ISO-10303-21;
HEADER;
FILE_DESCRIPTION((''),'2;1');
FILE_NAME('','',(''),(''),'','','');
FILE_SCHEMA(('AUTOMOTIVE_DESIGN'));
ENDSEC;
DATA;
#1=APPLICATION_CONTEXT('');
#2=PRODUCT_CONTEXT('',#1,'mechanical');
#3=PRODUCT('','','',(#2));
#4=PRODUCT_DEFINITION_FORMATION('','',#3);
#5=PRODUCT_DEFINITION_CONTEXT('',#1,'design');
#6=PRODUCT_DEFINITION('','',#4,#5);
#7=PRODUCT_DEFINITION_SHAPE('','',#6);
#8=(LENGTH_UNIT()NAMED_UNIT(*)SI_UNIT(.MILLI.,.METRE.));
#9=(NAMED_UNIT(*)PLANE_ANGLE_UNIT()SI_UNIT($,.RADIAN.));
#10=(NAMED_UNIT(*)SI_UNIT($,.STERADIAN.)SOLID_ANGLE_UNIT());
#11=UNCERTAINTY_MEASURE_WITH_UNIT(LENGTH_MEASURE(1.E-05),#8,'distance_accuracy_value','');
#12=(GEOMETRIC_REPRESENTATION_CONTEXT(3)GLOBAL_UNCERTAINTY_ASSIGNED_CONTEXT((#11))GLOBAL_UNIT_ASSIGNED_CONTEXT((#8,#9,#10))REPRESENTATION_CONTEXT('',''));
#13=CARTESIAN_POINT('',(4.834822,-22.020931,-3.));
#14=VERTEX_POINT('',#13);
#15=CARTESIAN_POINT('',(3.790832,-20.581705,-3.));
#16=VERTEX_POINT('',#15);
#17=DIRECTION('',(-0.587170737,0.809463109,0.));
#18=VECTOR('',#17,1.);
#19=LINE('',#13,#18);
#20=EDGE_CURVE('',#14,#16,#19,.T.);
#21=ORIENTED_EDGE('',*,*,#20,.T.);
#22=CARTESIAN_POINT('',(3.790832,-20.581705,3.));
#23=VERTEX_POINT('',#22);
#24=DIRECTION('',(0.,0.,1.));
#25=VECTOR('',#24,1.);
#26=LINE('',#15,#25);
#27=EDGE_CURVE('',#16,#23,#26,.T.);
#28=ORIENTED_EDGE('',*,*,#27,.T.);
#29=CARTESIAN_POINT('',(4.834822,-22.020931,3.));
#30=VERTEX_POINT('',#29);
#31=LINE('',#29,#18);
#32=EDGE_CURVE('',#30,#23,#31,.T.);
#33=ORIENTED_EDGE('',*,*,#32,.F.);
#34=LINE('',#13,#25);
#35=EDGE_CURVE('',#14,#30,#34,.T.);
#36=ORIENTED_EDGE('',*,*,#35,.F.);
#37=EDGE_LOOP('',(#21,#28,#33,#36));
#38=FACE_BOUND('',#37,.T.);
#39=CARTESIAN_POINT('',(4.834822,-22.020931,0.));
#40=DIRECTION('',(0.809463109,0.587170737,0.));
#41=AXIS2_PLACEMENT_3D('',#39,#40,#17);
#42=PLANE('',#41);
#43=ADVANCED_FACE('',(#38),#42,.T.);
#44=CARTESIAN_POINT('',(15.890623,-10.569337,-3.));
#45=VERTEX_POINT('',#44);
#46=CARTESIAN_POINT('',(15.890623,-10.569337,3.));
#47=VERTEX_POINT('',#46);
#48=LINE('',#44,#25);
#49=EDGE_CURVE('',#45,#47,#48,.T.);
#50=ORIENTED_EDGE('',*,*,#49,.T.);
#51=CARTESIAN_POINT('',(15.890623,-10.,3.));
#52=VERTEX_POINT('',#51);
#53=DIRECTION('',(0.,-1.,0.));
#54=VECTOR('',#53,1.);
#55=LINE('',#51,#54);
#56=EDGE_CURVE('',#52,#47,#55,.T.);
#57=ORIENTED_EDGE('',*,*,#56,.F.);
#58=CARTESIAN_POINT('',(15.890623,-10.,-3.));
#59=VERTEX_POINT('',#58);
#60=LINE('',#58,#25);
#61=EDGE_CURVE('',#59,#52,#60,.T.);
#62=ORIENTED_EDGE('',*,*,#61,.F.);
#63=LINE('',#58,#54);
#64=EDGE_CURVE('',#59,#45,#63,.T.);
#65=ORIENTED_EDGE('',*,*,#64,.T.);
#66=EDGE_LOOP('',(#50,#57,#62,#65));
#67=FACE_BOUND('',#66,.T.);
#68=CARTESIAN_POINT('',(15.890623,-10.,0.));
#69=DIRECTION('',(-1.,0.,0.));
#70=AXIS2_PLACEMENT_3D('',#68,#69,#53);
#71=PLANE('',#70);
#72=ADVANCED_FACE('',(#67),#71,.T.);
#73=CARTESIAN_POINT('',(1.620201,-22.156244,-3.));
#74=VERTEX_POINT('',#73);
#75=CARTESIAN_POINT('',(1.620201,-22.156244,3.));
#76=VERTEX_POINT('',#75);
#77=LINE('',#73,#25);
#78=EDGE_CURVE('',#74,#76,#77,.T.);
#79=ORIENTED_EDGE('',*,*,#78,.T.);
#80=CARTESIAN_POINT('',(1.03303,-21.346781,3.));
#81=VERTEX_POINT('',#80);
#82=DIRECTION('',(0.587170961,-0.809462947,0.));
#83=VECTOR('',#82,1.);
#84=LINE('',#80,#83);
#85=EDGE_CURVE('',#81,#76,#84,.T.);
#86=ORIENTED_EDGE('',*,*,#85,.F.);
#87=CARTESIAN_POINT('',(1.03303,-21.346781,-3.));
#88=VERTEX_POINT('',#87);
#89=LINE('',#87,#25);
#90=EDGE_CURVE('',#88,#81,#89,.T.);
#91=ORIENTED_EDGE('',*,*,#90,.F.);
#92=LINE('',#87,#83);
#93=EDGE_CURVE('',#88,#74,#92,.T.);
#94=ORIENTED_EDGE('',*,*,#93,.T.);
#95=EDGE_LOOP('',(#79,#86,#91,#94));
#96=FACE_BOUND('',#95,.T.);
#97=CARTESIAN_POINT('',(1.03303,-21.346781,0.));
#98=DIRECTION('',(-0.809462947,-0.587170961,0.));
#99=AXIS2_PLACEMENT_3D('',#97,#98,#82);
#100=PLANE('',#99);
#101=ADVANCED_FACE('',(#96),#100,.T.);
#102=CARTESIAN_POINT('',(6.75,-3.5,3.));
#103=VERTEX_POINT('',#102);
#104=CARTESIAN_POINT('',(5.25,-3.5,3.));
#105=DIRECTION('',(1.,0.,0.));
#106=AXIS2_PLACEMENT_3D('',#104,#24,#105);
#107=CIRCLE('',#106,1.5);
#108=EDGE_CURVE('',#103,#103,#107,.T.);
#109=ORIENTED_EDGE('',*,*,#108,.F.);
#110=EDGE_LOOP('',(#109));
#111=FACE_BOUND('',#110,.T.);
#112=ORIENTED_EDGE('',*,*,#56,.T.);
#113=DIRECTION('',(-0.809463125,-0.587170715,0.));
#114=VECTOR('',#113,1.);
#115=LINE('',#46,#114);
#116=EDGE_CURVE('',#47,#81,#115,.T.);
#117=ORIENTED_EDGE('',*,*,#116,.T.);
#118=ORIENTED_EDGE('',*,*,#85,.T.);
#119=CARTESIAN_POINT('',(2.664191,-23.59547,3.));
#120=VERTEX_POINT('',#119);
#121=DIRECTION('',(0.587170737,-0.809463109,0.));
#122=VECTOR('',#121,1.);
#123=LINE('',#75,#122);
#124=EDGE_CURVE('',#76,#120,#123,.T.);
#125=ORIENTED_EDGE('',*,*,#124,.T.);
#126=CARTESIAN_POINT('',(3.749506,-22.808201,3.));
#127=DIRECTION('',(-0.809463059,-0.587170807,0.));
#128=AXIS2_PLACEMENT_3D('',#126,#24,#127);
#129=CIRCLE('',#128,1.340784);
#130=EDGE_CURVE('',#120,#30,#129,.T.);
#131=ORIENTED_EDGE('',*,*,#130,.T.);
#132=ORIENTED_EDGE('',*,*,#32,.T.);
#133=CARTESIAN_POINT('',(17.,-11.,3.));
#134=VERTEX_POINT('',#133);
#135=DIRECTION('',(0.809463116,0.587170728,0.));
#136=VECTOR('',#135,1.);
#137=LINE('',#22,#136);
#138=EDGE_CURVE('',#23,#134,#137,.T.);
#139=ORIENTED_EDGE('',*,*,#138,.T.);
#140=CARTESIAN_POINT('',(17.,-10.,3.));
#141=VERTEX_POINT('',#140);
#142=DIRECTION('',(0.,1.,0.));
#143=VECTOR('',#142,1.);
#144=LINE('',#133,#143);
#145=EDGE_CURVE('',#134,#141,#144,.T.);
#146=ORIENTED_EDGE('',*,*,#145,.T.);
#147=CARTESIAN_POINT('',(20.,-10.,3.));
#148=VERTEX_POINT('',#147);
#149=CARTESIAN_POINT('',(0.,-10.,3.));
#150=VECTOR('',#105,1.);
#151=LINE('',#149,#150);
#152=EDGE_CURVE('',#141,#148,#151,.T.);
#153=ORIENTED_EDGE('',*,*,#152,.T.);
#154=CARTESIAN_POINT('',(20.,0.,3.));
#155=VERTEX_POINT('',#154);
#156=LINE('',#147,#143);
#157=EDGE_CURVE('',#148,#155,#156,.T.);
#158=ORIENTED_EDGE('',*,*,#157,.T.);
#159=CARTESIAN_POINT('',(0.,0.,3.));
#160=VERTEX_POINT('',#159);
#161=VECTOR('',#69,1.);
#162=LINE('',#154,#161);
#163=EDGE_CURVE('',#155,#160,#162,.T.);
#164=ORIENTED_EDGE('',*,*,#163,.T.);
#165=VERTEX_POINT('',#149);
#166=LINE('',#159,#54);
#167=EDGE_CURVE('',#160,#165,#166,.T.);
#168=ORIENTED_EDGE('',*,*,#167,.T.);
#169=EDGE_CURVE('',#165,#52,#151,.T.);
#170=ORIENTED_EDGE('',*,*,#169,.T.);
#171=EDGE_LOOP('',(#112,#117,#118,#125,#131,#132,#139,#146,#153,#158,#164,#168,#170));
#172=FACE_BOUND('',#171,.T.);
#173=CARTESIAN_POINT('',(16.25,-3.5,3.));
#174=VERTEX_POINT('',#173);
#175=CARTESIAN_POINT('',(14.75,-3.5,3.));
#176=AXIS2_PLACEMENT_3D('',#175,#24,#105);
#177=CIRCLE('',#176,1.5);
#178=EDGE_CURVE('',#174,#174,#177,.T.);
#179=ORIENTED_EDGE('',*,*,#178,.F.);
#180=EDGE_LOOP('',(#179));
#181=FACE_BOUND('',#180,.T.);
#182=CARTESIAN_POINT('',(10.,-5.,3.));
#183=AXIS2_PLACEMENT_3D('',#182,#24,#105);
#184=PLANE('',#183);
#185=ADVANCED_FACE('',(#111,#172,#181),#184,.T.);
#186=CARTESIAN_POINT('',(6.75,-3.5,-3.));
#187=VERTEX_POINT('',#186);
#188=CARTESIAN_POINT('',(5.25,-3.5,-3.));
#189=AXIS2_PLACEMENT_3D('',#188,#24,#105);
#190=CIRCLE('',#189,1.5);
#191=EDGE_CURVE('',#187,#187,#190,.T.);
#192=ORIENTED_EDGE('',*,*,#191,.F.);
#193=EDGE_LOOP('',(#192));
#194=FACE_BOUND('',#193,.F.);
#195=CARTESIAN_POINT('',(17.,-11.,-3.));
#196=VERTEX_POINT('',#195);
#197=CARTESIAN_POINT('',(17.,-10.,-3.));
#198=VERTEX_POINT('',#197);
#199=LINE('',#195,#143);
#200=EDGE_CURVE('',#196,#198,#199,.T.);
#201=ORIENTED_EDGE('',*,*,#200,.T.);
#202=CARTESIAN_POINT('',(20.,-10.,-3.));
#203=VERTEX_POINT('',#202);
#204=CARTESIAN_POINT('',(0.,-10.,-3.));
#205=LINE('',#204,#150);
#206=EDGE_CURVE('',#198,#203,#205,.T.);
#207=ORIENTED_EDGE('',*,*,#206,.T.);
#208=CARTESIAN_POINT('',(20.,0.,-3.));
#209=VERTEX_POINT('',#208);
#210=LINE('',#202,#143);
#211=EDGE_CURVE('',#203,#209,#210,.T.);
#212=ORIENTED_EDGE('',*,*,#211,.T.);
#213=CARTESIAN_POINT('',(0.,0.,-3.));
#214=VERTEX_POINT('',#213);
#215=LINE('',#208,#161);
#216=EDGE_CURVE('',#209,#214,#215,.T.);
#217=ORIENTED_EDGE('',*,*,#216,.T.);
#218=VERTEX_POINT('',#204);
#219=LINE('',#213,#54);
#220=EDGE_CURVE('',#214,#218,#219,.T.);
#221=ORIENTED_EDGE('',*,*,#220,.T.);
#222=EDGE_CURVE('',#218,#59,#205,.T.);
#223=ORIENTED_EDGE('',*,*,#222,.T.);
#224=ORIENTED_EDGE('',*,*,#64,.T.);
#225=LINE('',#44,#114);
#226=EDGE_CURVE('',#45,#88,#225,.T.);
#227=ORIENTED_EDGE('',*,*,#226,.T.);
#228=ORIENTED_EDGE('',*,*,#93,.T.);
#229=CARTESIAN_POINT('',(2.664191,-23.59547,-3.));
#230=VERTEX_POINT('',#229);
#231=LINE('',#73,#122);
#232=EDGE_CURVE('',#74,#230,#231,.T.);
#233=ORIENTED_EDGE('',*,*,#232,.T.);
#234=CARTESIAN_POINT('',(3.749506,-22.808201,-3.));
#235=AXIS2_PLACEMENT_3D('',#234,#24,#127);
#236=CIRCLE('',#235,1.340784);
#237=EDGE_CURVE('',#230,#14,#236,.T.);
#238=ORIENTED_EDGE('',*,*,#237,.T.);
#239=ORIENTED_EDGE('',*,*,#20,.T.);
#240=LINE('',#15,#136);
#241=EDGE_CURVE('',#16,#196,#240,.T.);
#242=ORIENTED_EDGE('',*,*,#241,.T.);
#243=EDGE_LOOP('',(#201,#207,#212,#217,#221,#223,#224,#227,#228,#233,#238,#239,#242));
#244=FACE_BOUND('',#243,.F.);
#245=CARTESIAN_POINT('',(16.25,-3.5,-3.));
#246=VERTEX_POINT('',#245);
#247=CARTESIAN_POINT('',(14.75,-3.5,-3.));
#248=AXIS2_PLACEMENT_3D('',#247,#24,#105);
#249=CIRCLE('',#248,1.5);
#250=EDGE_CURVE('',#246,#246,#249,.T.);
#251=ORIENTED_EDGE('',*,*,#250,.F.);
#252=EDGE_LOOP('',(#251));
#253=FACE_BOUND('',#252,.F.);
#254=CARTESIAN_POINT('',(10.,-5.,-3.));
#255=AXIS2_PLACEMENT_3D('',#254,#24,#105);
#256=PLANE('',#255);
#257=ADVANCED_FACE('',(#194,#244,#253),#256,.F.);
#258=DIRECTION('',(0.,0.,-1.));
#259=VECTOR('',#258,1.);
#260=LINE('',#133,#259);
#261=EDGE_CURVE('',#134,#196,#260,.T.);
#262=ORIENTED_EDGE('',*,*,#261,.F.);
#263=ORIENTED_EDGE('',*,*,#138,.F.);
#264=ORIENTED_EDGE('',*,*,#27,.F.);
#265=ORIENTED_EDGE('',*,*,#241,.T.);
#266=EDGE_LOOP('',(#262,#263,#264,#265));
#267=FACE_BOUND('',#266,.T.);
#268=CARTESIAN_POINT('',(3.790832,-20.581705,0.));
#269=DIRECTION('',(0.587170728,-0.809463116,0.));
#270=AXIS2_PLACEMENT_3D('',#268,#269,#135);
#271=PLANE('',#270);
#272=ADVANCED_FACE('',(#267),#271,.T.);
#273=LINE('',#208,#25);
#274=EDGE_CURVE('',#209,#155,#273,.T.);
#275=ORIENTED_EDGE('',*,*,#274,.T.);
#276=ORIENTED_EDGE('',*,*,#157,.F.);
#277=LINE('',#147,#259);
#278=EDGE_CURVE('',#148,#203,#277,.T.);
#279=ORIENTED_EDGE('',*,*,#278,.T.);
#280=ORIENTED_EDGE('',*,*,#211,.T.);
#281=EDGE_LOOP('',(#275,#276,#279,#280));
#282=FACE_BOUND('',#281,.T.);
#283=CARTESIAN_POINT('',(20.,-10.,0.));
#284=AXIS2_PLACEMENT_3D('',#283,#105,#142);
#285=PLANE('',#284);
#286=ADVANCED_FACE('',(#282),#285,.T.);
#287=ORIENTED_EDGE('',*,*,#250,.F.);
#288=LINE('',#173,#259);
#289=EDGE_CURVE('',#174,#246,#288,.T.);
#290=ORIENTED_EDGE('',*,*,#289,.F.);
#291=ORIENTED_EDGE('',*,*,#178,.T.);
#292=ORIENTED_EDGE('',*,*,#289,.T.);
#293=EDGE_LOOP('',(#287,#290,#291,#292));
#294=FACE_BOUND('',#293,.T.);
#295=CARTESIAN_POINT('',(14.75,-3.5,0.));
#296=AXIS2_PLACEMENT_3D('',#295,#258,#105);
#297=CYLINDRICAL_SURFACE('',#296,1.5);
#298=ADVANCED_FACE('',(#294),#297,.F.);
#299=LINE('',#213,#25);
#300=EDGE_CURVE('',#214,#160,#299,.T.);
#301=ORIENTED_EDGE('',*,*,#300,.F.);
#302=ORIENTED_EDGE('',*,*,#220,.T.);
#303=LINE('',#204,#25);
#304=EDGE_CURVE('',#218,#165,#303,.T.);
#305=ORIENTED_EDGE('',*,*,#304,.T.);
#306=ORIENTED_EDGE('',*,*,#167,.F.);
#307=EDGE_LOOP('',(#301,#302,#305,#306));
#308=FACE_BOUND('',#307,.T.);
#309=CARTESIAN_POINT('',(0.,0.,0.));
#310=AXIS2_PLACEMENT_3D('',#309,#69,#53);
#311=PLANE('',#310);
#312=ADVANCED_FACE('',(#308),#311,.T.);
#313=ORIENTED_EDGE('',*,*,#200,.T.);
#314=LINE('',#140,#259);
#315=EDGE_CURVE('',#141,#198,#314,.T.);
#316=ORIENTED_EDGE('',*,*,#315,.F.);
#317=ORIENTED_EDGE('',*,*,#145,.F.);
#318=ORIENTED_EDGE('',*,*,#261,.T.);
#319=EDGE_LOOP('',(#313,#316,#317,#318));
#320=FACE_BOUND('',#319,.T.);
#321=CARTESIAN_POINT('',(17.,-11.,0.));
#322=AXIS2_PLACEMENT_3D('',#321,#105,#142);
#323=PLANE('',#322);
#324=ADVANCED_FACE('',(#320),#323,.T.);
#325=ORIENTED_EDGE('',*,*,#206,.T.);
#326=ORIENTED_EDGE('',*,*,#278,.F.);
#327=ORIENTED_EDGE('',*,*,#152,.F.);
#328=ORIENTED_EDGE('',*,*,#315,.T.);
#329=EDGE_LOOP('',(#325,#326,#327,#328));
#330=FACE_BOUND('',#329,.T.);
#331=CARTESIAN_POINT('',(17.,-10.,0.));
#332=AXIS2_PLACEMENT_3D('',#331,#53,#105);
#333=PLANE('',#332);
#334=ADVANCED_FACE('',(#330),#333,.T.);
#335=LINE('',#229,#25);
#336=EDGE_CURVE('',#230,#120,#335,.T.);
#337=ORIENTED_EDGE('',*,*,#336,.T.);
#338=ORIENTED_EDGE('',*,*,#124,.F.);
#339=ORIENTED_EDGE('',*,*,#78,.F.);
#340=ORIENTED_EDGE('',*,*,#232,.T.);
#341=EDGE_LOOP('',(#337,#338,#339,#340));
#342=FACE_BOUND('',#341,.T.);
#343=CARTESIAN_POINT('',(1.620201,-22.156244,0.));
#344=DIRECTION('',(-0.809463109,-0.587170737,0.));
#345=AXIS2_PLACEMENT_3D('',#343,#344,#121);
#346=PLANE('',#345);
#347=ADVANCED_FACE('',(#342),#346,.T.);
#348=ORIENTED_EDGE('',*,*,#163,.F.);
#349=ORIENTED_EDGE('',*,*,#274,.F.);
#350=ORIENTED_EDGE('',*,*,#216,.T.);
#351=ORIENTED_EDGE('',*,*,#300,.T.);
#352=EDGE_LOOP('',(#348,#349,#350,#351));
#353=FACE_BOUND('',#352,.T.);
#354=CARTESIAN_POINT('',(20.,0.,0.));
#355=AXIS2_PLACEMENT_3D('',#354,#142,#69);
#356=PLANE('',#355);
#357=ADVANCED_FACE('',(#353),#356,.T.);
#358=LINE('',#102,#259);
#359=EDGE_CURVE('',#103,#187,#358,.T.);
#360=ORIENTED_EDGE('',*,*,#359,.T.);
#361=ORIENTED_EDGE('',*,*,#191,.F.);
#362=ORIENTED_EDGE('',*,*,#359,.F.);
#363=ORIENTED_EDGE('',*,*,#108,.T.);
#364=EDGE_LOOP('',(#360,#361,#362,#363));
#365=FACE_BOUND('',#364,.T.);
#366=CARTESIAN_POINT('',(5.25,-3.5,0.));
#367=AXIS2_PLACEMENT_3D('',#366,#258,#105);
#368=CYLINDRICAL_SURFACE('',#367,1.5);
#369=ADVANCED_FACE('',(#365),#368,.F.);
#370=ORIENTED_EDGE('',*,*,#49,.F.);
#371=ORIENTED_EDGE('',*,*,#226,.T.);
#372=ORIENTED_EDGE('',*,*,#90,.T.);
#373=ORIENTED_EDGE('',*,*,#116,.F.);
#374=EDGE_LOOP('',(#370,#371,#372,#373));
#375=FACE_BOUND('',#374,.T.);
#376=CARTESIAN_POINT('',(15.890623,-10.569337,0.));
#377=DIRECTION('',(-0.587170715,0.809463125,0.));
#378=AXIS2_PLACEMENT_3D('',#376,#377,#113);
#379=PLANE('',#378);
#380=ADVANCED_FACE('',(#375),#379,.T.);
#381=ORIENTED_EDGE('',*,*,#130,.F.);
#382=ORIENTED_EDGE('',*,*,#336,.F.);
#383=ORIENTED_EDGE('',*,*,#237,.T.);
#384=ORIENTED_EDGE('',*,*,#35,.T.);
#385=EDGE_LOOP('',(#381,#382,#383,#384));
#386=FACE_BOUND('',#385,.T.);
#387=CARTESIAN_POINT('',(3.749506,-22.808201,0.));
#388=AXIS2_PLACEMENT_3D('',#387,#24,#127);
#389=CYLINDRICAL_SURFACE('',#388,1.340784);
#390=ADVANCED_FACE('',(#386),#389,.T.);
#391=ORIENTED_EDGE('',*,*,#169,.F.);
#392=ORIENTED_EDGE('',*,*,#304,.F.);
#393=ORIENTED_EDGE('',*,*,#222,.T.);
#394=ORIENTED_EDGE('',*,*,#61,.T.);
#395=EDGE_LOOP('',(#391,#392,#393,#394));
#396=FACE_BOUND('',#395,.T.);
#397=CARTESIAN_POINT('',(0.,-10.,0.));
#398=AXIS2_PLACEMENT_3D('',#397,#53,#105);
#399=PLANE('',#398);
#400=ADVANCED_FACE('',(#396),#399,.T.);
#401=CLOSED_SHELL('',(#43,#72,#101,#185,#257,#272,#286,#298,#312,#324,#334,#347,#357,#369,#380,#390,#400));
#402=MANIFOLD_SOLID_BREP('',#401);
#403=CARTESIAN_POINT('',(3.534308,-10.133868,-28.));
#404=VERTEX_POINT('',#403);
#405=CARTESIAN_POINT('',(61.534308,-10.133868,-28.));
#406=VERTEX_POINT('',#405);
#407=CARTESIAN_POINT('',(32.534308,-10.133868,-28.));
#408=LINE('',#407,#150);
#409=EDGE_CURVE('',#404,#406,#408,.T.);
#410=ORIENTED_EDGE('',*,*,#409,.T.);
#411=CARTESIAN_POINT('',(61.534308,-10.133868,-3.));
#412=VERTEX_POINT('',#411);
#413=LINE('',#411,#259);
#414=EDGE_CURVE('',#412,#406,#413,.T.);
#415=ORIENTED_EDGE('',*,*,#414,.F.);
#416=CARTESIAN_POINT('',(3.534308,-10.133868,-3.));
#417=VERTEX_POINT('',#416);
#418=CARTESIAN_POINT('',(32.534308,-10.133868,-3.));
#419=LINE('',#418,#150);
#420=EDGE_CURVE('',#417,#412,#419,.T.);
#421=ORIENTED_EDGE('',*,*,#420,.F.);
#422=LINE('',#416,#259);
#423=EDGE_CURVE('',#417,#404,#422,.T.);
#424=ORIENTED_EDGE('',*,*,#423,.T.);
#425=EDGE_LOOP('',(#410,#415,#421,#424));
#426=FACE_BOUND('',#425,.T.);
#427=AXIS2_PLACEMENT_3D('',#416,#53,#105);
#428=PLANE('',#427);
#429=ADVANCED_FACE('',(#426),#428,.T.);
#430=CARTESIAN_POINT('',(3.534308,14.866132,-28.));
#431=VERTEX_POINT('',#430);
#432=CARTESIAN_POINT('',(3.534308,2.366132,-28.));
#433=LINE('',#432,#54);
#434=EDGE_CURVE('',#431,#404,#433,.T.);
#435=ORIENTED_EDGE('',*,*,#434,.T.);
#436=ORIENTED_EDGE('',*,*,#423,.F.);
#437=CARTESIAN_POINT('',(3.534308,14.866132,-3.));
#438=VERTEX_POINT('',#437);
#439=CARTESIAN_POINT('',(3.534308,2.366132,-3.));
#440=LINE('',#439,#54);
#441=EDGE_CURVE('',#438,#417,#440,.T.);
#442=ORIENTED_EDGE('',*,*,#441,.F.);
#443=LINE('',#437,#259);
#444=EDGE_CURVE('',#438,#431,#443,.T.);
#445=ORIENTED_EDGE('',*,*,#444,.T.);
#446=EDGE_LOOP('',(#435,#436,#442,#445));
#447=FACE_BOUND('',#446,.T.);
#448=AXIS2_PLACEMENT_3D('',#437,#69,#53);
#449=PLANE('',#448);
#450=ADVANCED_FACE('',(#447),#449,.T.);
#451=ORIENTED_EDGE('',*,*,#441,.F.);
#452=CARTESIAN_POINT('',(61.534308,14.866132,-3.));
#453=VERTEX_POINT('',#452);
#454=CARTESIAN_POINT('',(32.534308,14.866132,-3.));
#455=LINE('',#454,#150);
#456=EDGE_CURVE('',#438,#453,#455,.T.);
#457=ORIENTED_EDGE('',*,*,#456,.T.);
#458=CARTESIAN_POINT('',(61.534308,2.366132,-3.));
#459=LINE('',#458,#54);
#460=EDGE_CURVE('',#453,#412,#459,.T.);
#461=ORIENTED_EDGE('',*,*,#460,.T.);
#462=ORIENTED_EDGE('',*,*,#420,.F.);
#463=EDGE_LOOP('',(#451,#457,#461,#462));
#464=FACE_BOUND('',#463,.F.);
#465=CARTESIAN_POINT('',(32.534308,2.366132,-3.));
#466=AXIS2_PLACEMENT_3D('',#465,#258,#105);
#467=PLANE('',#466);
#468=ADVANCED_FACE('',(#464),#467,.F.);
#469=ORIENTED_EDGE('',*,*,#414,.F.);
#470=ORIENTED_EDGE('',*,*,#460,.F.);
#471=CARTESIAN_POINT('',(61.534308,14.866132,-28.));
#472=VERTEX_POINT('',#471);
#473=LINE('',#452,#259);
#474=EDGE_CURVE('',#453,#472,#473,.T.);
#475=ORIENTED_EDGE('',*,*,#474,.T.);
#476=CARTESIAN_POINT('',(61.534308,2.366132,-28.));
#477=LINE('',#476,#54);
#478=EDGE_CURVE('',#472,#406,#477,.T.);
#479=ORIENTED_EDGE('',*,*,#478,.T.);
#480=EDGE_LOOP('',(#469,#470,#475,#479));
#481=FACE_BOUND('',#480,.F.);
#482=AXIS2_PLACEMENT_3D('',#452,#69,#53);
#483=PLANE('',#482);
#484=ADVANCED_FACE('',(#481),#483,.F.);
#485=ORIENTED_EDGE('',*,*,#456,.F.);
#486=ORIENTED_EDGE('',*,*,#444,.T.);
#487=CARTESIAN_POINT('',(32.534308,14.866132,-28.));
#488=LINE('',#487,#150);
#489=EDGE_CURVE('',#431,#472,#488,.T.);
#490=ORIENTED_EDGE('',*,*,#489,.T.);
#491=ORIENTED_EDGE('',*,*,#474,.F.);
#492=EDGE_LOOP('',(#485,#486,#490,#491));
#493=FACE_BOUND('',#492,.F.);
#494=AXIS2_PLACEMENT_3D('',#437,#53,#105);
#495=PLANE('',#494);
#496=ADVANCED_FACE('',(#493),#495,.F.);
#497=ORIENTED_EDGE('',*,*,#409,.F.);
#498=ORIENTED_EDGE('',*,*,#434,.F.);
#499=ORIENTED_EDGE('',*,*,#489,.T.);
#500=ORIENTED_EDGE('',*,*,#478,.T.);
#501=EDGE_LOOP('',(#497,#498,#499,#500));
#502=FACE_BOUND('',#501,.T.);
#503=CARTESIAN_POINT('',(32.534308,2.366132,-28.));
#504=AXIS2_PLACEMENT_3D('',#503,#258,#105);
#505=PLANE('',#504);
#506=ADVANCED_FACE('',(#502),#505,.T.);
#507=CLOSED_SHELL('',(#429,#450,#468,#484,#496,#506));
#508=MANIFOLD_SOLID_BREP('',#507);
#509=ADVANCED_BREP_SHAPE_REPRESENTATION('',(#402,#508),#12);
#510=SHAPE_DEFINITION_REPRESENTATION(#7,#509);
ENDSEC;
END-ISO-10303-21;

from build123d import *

# Parameters (mm, degrees)
F0_R     = 1.5
F1_DEPTH = 3
F2_W     = 58
F2_H     = 25
F3_DEPTH = 25


with BuildPart() as f1:
    # F0 (on Top) → F1 (new body, symmetric)
    with BuildSketch(Plane.XY):
        Polygon((20, -10), (20, 0), (0, 0), (0, -10), (15.890623, -10), (17, -10), align=None)
        with Locations((5.25, -3.5)):
            Circle(F0_R, mode=Mode.SUBTRACT)
        with Locations((14.75, -3.5)):
            Circle(F0_R, mode=Mode.SUBTRACT)
        Polygon((17, -11), (17, -10), (15.890623, -10), (15.890623, -10.569337), (1.03303, -21.346781), (1.620201, -22.156244), (3.790832, -20.581705), align=None)
        with BuildLine():
            Line((4.834822, -22.020931), (3.790832, -20.581705))
            Line((3.790832, -20.581705), (1.620201, -22.156244))
            Line((1.620201, -22.156244), (2.664191, -23.59547))
            ThreePointArc((2.664191, -23.59547), (4.536776, -23.893516), (4.834822, -22.020931))
        make_face()
    extrude(amount=F1_DEPTH, both=True)


with BuildPart() as f3:
    # F2 (on face) → F3 (new body)
    with BuildSketch(Plane(origin=(0, 0, -3), x_dir=(1, 0, 0), z_dir=(0, 0, -1))):
        with Locations((32.534308, -2.366132)):
            Rectangle(F2_W, F2_H)
    extrude(amount=F3_DEPTH)


solid = Compound([f1.part, f3.part])
